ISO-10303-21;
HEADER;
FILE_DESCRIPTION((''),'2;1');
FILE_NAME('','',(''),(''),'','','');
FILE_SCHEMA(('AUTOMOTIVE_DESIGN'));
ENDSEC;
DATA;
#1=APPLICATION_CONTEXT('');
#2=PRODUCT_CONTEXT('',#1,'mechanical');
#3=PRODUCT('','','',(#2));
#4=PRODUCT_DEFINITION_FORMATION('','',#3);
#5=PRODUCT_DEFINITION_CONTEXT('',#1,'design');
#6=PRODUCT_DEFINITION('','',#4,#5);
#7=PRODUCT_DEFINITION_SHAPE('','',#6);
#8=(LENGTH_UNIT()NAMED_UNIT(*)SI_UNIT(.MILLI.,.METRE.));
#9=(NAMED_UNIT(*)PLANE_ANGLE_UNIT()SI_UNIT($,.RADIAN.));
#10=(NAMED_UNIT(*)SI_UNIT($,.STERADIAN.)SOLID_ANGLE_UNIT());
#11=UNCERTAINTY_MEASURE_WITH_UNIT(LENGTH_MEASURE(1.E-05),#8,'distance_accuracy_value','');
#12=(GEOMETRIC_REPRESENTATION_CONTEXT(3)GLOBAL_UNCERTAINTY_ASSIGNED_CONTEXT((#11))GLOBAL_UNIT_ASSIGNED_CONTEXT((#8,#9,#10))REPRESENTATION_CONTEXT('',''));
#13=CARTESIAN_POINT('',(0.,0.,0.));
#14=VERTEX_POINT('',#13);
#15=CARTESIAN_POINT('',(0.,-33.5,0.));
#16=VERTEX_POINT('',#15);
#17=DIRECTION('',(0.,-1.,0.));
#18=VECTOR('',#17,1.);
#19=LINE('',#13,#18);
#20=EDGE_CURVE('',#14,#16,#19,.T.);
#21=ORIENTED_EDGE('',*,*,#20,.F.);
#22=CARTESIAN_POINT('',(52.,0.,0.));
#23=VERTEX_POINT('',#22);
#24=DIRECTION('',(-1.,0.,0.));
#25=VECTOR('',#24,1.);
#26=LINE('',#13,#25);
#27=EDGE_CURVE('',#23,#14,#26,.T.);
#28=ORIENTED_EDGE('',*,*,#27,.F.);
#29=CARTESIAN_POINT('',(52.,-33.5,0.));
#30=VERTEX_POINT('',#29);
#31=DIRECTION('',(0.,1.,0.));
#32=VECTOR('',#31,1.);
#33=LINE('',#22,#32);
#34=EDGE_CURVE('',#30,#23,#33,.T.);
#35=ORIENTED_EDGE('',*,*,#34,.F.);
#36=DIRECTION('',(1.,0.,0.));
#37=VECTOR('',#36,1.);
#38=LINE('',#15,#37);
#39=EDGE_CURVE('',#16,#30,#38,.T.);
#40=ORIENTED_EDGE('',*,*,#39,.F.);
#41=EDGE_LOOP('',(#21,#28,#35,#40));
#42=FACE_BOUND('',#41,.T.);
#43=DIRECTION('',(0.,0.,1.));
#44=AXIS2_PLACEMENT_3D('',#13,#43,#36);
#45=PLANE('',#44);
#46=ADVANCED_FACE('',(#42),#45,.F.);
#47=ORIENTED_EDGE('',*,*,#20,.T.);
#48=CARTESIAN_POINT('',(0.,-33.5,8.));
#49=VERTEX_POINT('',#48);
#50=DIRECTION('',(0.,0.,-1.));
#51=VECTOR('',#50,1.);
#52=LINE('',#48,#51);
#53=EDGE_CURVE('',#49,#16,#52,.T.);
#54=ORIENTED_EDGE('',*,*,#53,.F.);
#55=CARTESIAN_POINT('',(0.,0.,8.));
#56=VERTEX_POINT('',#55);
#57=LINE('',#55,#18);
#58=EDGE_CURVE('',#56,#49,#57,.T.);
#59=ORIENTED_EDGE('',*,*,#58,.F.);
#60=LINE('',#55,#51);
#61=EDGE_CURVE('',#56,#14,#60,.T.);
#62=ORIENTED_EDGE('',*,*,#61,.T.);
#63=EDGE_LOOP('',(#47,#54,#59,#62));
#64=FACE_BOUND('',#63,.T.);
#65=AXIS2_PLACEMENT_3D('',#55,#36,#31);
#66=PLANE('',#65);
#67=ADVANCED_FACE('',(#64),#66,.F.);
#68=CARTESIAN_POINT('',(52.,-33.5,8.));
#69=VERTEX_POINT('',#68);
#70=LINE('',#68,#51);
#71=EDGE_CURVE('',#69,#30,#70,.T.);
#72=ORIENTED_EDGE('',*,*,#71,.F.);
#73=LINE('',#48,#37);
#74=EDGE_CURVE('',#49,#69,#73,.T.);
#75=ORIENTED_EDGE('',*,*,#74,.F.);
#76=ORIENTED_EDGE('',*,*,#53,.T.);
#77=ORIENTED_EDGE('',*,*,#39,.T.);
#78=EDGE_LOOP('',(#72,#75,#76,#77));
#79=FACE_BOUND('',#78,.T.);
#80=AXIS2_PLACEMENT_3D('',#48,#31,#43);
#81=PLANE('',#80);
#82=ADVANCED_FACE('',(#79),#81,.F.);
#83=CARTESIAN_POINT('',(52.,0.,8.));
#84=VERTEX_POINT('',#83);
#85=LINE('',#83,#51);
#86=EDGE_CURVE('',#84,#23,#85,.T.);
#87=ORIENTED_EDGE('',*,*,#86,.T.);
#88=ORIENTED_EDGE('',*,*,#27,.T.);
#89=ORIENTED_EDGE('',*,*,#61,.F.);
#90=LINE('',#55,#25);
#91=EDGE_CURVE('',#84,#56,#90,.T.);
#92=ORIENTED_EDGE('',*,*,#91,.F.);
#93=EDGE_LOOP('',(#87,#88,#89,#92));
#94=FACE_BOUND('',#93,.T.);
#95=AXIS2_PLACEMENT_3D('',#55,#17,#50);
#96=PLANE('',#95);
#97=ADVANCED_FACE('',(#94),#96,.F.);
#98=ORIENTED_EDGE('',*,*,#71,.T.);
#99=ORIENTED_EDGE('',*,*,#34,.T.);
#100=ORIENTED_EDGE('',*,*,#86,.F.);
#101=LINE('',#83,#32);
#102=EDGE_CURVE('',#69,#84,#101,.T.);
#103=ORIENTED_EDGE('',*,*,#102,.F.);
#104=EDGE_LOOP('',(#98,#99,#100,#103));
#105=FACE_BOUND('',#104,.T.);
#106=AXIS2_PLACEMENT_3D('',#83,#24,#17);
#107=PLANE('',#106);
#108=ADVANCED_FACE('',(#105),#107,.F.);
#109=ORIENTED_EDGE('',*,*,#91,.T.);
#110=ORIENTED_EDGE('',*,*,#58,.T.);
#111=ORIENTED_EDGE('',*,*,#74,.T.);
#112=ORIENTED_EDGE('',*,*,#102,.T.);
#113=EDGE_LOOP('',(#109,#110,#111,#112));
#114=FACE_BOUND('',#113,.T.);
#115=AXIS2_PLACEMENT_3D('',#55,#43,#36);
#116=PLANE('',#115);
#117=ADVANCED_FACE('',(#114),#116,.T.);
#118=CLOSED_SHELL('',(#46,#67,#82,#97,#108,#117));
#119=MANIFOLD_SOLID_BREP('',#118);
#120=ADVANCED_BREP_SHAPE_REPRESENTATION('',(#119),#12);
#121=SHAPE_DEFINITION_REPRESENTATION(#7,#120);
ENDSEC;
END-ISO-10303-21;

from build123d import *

# Parameters (mm, degrees)
SKETCH_1_W      = 52
SKETCH_1_H      = 33.5
EXTRUDE_1_DEPTH = 8


with BuildPart() as part:
    # 草图1 → 凸台-拉伸1 (new body)
    with BuildSketch(Plane.XY):
        with Locations((26, -16.75)):
            Rectangle(SKETCH_1_W, SKETCH_1_H)
    extrude(amount=EXTRUDE_1_DEPTH)


solid = part.part
